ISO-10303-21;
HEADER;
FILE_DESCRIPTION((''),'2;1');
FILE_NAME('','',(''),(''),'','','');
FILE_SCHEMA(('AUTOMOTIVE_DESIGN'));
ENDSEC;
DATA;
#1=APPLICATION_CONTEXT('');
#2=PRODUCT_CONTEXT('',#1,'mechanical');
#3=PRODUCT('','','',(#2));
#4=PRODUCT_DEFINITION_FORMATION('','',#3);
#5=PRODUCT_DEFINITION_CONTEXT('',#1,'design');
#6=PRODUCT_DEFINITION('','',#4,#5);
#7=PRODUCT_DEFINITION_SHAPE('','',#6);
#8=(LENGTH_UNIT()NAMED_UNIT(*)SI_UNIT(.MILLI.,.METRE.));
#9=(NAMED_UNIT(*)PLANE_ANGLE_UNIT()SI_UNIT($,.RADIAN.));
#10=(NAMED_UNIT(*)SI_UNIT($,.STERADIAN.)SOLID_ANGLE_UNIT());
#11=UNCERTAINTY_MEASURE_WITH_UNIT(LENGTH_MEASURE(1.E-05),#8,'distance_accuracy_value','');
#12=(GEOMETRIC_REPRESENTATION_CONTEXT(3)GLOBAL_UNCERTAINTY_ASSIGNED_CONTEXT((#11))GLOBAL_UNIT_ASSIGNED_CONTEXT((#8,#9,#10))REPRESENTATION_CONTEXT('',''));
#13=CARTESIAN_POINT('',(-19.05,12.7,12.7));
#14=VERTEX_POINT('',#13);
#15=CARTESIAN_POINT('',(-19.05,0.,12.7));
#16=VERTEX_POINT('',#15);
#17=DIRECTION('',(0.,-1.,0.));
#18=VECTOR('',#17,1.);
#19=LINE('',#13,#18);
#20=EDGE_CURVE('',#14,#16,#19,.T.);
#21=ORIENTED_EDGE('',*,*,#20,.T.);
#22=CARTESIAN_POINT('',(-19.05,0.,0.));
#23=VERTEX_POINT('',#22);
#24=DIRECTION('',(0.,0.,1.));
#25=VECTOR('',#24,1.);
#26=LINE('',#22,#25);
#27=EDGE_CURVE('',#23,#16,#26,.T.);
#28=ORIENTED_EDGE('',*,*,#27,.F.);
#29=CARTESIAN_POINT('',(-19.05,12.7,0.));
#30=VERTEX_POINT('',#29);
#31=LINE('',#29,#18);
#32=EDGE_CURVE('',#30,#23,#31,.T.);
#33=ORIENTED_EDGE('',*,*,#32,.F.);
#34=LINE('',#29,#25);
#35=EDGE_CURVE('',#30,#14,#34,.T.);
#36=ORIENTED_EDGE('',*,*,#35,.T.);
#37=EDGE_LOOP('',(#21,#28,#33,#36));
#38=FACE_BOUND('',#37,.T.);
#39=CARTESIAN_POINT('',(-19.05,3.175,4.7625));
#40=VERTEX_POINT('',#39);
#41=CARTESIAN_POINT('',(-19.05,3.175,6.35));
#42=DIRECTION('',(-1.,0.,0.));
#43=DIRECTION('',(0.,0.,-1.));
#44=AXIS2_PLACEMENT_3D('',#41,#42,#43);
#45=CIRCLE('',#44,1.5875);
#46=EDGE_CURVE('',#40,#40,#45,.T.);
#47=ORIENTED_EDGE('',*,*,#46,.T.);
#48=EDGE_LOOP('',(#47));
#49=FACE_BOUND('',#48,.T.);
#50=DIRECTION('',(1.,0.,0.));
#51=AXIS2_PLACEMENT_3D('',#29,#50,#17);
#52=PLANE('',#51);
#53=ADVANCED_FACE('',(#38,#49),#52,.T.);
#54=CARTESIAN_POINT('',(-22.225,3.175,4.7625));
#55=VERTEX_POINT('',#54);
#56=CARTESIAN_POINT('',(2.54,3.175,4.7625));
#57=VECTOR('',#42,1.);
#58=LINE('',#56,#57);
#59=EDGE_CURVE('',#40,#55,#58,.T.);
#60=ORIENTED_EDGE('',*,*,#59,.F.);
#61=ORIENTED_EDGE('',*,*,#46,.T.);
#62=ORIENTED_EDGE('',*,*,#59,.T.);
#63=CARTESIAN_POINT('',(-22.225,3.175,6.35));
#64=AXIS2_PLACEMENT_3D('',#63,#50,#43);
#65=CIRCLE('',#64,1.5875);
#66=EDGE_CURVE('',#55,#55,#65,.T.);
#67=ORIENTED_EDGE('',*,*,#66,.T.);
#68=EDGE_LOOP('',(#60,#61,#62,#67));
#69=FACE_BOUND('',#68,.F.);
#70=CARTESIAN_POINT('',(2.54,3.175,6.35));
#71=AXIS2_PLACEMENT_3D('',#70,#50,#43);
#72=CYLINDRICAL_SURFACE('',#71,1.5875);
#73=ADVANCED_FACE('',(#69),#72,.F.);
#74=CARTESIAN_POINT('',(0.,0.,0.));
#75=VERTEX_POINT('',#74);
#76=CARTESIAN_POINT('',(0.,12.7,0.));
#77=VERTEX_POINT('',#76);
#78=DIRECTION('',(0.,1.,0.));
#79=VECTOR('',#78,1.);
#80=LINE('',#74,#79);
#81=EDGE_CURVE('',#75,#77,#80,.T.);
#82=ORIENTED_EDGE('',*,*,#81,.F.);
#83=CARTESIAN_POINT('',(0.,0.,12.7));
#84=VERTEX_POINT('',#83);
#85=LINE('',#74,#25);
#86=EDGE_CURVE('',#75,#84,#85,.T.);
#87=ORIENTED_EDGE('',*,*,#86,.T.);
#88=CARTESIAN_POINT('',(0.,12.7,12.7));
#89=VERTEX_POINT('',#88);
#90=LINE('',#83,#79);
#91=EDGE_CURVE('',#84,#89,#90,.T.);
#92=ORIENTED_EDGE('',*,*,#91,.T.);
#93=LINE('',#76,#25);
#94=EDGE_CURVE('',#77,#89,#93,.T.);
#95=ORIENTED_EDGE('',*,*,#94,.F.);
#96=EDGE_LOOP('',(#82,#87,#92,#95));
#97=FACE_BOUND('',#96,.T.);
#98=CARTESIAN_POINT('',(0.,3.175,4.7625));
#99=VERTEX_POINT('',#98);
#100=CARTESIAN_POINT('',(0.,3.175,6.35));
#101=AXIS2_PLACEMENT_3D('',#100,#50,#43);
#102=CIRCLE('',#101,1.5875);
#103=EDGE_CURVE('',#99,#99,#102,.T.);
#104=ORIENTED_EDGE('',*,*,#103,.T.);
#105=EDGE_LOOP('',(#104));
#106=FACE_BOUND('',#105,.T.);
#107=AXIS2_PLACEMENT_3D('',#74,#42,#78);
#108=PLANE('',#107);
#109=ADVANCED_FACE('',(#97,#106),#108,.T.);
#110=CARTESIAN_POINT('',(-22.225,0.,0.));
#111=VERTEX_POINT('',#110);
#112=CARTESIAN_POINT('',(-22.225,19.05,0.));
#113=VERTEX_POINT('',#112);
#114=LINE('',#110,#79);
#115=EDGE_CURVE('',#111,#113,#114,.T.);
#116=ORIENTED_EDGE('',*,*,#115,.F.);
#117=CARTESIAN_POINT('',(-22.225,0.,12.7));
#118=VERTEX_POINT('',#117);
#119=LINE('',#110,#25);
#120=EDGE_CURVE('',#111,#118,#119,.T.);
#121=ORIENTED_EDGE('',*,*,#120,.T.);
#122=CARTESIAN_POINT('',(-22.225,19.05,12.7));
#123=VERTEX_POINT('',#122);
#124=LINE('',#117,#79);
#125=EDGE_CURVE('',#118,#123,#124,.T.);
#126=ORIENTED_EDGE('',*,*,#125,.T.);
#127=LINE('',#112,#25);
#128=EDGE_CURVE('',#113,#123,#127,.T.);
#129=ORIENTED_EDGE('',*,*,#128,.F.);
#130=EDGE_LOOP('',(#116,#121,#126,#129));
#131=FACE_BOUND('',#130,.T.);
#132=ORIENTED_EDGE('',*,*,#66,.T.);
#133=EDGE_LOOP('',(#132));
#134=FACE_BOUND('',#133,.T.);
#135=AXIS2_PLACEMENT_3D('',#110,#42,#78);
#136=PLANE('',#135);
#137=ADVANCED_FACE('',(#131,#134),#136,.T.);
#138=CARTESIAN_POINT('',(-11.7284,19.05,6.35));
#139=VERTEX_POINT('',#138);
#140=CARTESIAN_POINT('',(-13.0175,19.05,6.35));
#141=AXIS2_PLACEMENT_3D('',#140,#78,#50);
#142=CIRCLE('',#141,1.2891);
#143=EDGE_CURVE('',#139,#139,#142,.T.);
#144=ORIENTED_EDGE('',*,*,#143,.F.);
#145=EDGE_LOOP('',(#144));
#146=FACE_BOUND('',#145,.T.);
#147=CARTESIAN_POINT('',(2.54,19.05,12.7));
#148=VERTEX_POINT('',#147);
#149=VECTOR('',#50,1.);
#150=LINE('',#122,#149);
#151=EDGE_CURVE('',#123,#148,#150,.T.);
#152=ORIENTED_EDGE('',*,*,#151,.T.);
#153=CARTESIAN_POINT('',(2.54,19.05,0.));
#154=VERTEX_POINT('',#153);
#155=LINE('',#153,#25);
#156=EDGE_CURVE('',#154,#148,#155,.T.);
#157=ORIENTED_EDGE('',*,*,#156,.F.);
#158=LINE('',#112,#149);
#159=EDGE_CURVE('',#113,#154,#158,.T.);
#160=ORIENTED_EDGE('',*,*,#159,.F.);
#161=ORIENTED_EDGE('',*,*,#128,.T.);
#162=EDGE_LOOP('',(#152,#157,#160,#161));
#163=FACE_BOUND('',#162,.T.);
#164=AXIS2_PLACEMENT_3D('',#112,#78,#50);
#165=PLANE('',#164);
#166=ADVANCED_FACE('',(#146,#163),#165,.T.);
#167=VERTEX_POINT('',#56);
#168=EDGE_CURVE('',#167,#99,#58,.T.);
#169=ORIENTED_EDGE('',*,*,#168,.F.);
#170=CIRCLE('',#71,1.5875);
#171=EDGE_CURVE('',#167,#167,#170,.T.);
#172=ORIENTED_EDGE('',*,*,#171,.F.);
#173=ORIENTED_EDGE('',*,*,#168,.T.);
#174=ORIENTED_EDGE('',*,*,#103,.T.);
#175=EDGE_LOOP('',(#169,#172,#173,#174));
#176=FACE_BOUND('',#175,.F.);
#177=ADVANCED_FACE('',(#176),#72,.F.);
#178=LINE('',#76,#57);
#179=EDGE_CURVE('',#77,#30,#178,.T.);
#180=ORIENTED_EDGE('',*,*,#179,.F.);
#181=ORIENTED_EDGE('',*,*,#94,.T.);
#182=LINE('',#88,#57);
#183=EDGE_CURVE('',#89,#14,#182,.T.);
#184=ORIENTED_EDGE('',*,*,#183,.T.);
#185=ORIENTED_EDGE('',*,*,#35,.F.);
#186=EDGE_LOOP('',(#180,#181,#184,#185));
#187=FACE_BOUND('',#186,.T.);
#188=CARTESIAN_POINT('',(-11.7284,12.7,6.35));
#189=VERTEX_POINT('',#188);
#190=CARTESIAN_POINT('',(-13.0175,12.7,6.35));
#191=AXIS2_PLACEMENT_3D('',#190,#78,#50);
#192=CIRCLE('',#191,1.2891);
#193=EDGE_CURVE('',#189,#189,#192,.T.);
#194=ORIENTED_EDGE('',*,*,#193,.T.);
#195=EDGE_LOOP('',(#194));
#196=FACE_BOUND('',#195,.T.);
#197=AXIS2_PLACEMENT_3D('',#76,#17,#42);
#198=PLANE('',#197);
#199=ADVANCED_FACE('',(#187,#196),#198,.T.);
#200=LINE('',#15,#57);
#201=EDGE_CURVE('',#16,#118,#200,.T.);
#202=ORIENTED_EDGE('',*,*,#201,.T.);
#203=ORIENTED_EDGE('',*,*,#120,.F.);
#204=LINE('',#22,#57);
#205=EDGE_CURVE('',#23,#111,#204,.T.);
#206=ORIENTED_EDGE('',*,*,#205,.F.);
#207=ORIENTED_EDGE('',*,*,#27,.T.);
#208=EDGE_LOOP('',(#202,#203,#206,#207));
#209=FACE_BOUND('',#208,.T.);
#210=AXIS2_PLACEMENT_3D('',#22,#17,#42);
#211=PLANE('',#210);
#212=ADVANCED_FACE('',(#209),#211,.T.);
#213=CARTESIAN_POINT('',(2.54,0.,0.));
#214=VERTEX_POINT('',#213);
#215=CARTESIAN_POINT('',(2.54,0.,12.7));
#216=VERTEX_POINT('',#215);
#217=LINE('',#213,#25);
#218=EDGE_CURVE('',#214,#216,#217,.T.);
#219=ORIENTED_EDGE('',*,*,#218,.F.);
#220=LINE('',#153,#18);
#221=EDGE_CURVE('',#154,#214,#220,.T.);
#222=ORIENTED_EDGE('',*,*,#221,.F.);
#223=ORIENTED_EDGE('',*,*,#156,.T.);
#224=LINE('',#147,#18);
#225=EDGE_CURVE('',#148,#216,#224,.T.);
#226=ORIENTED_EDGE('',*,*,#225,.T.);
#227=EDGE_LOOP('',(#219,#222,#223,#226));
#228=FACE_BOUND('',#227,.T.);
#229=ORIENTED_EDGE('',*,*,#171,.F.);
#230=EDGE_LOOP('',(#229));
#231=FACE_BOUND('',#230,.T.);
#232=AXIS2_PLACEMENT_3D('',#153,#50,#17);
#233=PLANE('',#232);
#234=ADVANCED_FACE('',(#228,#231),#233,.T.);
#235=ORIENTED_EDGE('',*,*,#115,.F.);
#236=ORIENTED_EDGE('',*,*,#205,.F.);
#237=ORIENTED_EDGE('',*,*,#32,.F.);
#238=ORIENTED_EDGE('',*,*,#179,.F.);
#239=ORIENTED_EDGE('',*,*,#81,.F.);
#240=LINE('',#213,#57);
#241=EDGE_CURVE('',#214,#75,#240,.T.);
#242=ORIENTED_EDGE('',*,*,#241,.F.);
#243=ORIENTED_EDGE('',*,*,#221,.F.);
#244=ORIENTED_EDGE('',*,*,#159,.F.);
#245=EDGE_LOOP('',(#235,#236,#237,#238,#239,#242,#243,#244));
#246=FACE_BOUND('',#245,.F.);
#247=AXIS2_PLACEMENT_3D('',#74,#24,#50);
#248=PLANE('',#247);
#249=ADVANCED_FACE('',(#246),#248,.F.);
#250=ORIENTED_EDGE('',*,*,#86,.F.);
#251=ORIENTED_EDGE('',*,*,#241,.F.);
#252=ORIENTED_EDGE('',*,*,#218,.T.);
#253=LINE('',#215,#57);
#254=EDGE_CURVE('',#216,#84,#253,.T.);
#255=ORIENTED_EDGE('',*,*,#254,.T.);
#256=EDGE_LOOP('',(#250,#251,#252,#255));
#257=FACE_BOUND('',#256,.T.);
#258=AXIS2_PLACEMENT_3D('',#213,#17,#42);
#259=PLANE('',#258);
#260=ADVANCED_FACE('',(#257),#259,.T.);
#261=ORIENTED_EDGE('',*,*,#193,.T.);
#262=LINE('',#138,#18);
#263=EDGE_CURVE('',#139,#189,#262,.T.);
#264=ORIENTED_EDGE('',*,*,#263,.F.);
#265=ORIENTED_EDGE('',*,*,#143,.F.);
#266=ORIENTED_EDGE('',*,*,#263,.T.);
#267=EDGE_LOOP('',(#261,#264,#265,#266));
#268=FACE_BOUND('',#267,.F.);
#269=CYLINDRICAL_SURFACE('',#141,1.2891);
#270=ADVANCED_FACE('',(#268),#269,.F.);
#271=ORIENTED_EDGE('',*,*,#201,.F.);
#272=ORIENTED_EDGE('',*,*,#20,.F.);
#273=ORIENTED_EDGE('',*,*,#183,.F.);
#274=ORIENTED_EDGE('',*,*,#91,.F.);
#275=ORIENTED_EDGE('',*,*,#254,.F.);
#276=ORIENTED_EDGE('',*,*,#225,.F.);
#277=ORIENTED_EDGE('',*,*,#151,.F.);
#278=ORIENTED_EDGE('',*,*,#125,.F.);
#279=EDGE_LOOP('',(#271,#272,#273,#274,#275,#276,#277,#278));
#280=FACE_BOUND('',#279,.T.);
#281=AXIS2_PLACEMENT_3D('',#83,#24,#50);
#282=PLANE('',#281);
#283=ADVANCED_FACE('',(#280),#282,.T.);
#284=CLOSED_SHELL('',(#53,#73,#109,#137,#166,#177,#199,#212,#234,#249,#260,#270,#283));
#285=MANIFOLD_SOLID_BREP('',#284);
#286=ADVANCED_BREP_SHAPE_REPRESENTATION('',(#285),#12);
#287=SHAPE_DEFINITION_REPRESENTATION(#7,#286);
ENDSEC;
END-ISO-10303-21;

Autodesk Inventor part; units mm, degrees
ref_plane "YZ Plane" through (0, 0, 0) normal (1, 0, 0) x (0, 1, 0)
ref_plane "XZ Plane" through (0, 0, 0) normal (0, 1, 0) x (-1, 0, 0)
ref_plane "XY Plane" through (0, 0, 0) normal (0, 0, 1) x (1, 0, 0)
sketch "Sketch1" plane through (0, 0, 0) normal (0, 0, 1) x (1, 0, 0)
  line L0 (0, 0) -> (0, 12.7)
  line L1 (0, 12.7) -> (-19.05, 12.7)
  line L2 (-19.05, 12.7) -> (-19.05, 0)
  line L3 (-19.05, 0) -> (-22.225, 0)
  line L4 (-22.225, 0) -> (-22.225, 19.05)
  line L5 (-22.225, 19.05) -> (2.54, 19.05)
  line L6 (2.54, 19.05) -> (2.54, 0)
  line L7 (2.54, 0) -> (0, 0)
  dimension "d0" = 12.7
  dimension "d1" = 19.05
  dimension "d2" = 3.175
  dimension "d4" = 19.05
  dimension "d5" = 24.765
extrude "Extrusion1" add sketch "Sketch1" along normal blind 12.7
sketch "Sketch2" plane through (-22.225, 19.05, 0) normal (0, 1, 0) x (1, 0, 0)
  line L0 (0, 0) -> (0, -12.7) projected
  line L1 (24.765, 0) -> (24.765, -12.7) projected
  line L2 (0, -6.35) -> (9.2075, -6.35)
  circle A0 centre (9.2075, -6.35) radius 1.2891
  point P0 (22.225, 0)
  dimension "d8" = 2.5781
extrude "Extrusion2" cut sketch "Sketch2" against normal blind 25.4
sketch "Sketch3" plane through (2.54, 0, 0) normal (1, 0, 0) x (0, 0, -1)
  line L0 (0, 0) -> (-12.7, 0) projected
  line L1 (-6.35, 0) -> (-6.35, 3.175)
  circle A0 centre (-6.35, 3.175) radius 1.5875
  dimension "d12" = 3.175
  dimension "d14" = 3.175
extrude "Extrusion3" cut sketch "Sketch3" against normal blind 25.4
properties part number "tiny clevis" material "Aluminum 6061"
